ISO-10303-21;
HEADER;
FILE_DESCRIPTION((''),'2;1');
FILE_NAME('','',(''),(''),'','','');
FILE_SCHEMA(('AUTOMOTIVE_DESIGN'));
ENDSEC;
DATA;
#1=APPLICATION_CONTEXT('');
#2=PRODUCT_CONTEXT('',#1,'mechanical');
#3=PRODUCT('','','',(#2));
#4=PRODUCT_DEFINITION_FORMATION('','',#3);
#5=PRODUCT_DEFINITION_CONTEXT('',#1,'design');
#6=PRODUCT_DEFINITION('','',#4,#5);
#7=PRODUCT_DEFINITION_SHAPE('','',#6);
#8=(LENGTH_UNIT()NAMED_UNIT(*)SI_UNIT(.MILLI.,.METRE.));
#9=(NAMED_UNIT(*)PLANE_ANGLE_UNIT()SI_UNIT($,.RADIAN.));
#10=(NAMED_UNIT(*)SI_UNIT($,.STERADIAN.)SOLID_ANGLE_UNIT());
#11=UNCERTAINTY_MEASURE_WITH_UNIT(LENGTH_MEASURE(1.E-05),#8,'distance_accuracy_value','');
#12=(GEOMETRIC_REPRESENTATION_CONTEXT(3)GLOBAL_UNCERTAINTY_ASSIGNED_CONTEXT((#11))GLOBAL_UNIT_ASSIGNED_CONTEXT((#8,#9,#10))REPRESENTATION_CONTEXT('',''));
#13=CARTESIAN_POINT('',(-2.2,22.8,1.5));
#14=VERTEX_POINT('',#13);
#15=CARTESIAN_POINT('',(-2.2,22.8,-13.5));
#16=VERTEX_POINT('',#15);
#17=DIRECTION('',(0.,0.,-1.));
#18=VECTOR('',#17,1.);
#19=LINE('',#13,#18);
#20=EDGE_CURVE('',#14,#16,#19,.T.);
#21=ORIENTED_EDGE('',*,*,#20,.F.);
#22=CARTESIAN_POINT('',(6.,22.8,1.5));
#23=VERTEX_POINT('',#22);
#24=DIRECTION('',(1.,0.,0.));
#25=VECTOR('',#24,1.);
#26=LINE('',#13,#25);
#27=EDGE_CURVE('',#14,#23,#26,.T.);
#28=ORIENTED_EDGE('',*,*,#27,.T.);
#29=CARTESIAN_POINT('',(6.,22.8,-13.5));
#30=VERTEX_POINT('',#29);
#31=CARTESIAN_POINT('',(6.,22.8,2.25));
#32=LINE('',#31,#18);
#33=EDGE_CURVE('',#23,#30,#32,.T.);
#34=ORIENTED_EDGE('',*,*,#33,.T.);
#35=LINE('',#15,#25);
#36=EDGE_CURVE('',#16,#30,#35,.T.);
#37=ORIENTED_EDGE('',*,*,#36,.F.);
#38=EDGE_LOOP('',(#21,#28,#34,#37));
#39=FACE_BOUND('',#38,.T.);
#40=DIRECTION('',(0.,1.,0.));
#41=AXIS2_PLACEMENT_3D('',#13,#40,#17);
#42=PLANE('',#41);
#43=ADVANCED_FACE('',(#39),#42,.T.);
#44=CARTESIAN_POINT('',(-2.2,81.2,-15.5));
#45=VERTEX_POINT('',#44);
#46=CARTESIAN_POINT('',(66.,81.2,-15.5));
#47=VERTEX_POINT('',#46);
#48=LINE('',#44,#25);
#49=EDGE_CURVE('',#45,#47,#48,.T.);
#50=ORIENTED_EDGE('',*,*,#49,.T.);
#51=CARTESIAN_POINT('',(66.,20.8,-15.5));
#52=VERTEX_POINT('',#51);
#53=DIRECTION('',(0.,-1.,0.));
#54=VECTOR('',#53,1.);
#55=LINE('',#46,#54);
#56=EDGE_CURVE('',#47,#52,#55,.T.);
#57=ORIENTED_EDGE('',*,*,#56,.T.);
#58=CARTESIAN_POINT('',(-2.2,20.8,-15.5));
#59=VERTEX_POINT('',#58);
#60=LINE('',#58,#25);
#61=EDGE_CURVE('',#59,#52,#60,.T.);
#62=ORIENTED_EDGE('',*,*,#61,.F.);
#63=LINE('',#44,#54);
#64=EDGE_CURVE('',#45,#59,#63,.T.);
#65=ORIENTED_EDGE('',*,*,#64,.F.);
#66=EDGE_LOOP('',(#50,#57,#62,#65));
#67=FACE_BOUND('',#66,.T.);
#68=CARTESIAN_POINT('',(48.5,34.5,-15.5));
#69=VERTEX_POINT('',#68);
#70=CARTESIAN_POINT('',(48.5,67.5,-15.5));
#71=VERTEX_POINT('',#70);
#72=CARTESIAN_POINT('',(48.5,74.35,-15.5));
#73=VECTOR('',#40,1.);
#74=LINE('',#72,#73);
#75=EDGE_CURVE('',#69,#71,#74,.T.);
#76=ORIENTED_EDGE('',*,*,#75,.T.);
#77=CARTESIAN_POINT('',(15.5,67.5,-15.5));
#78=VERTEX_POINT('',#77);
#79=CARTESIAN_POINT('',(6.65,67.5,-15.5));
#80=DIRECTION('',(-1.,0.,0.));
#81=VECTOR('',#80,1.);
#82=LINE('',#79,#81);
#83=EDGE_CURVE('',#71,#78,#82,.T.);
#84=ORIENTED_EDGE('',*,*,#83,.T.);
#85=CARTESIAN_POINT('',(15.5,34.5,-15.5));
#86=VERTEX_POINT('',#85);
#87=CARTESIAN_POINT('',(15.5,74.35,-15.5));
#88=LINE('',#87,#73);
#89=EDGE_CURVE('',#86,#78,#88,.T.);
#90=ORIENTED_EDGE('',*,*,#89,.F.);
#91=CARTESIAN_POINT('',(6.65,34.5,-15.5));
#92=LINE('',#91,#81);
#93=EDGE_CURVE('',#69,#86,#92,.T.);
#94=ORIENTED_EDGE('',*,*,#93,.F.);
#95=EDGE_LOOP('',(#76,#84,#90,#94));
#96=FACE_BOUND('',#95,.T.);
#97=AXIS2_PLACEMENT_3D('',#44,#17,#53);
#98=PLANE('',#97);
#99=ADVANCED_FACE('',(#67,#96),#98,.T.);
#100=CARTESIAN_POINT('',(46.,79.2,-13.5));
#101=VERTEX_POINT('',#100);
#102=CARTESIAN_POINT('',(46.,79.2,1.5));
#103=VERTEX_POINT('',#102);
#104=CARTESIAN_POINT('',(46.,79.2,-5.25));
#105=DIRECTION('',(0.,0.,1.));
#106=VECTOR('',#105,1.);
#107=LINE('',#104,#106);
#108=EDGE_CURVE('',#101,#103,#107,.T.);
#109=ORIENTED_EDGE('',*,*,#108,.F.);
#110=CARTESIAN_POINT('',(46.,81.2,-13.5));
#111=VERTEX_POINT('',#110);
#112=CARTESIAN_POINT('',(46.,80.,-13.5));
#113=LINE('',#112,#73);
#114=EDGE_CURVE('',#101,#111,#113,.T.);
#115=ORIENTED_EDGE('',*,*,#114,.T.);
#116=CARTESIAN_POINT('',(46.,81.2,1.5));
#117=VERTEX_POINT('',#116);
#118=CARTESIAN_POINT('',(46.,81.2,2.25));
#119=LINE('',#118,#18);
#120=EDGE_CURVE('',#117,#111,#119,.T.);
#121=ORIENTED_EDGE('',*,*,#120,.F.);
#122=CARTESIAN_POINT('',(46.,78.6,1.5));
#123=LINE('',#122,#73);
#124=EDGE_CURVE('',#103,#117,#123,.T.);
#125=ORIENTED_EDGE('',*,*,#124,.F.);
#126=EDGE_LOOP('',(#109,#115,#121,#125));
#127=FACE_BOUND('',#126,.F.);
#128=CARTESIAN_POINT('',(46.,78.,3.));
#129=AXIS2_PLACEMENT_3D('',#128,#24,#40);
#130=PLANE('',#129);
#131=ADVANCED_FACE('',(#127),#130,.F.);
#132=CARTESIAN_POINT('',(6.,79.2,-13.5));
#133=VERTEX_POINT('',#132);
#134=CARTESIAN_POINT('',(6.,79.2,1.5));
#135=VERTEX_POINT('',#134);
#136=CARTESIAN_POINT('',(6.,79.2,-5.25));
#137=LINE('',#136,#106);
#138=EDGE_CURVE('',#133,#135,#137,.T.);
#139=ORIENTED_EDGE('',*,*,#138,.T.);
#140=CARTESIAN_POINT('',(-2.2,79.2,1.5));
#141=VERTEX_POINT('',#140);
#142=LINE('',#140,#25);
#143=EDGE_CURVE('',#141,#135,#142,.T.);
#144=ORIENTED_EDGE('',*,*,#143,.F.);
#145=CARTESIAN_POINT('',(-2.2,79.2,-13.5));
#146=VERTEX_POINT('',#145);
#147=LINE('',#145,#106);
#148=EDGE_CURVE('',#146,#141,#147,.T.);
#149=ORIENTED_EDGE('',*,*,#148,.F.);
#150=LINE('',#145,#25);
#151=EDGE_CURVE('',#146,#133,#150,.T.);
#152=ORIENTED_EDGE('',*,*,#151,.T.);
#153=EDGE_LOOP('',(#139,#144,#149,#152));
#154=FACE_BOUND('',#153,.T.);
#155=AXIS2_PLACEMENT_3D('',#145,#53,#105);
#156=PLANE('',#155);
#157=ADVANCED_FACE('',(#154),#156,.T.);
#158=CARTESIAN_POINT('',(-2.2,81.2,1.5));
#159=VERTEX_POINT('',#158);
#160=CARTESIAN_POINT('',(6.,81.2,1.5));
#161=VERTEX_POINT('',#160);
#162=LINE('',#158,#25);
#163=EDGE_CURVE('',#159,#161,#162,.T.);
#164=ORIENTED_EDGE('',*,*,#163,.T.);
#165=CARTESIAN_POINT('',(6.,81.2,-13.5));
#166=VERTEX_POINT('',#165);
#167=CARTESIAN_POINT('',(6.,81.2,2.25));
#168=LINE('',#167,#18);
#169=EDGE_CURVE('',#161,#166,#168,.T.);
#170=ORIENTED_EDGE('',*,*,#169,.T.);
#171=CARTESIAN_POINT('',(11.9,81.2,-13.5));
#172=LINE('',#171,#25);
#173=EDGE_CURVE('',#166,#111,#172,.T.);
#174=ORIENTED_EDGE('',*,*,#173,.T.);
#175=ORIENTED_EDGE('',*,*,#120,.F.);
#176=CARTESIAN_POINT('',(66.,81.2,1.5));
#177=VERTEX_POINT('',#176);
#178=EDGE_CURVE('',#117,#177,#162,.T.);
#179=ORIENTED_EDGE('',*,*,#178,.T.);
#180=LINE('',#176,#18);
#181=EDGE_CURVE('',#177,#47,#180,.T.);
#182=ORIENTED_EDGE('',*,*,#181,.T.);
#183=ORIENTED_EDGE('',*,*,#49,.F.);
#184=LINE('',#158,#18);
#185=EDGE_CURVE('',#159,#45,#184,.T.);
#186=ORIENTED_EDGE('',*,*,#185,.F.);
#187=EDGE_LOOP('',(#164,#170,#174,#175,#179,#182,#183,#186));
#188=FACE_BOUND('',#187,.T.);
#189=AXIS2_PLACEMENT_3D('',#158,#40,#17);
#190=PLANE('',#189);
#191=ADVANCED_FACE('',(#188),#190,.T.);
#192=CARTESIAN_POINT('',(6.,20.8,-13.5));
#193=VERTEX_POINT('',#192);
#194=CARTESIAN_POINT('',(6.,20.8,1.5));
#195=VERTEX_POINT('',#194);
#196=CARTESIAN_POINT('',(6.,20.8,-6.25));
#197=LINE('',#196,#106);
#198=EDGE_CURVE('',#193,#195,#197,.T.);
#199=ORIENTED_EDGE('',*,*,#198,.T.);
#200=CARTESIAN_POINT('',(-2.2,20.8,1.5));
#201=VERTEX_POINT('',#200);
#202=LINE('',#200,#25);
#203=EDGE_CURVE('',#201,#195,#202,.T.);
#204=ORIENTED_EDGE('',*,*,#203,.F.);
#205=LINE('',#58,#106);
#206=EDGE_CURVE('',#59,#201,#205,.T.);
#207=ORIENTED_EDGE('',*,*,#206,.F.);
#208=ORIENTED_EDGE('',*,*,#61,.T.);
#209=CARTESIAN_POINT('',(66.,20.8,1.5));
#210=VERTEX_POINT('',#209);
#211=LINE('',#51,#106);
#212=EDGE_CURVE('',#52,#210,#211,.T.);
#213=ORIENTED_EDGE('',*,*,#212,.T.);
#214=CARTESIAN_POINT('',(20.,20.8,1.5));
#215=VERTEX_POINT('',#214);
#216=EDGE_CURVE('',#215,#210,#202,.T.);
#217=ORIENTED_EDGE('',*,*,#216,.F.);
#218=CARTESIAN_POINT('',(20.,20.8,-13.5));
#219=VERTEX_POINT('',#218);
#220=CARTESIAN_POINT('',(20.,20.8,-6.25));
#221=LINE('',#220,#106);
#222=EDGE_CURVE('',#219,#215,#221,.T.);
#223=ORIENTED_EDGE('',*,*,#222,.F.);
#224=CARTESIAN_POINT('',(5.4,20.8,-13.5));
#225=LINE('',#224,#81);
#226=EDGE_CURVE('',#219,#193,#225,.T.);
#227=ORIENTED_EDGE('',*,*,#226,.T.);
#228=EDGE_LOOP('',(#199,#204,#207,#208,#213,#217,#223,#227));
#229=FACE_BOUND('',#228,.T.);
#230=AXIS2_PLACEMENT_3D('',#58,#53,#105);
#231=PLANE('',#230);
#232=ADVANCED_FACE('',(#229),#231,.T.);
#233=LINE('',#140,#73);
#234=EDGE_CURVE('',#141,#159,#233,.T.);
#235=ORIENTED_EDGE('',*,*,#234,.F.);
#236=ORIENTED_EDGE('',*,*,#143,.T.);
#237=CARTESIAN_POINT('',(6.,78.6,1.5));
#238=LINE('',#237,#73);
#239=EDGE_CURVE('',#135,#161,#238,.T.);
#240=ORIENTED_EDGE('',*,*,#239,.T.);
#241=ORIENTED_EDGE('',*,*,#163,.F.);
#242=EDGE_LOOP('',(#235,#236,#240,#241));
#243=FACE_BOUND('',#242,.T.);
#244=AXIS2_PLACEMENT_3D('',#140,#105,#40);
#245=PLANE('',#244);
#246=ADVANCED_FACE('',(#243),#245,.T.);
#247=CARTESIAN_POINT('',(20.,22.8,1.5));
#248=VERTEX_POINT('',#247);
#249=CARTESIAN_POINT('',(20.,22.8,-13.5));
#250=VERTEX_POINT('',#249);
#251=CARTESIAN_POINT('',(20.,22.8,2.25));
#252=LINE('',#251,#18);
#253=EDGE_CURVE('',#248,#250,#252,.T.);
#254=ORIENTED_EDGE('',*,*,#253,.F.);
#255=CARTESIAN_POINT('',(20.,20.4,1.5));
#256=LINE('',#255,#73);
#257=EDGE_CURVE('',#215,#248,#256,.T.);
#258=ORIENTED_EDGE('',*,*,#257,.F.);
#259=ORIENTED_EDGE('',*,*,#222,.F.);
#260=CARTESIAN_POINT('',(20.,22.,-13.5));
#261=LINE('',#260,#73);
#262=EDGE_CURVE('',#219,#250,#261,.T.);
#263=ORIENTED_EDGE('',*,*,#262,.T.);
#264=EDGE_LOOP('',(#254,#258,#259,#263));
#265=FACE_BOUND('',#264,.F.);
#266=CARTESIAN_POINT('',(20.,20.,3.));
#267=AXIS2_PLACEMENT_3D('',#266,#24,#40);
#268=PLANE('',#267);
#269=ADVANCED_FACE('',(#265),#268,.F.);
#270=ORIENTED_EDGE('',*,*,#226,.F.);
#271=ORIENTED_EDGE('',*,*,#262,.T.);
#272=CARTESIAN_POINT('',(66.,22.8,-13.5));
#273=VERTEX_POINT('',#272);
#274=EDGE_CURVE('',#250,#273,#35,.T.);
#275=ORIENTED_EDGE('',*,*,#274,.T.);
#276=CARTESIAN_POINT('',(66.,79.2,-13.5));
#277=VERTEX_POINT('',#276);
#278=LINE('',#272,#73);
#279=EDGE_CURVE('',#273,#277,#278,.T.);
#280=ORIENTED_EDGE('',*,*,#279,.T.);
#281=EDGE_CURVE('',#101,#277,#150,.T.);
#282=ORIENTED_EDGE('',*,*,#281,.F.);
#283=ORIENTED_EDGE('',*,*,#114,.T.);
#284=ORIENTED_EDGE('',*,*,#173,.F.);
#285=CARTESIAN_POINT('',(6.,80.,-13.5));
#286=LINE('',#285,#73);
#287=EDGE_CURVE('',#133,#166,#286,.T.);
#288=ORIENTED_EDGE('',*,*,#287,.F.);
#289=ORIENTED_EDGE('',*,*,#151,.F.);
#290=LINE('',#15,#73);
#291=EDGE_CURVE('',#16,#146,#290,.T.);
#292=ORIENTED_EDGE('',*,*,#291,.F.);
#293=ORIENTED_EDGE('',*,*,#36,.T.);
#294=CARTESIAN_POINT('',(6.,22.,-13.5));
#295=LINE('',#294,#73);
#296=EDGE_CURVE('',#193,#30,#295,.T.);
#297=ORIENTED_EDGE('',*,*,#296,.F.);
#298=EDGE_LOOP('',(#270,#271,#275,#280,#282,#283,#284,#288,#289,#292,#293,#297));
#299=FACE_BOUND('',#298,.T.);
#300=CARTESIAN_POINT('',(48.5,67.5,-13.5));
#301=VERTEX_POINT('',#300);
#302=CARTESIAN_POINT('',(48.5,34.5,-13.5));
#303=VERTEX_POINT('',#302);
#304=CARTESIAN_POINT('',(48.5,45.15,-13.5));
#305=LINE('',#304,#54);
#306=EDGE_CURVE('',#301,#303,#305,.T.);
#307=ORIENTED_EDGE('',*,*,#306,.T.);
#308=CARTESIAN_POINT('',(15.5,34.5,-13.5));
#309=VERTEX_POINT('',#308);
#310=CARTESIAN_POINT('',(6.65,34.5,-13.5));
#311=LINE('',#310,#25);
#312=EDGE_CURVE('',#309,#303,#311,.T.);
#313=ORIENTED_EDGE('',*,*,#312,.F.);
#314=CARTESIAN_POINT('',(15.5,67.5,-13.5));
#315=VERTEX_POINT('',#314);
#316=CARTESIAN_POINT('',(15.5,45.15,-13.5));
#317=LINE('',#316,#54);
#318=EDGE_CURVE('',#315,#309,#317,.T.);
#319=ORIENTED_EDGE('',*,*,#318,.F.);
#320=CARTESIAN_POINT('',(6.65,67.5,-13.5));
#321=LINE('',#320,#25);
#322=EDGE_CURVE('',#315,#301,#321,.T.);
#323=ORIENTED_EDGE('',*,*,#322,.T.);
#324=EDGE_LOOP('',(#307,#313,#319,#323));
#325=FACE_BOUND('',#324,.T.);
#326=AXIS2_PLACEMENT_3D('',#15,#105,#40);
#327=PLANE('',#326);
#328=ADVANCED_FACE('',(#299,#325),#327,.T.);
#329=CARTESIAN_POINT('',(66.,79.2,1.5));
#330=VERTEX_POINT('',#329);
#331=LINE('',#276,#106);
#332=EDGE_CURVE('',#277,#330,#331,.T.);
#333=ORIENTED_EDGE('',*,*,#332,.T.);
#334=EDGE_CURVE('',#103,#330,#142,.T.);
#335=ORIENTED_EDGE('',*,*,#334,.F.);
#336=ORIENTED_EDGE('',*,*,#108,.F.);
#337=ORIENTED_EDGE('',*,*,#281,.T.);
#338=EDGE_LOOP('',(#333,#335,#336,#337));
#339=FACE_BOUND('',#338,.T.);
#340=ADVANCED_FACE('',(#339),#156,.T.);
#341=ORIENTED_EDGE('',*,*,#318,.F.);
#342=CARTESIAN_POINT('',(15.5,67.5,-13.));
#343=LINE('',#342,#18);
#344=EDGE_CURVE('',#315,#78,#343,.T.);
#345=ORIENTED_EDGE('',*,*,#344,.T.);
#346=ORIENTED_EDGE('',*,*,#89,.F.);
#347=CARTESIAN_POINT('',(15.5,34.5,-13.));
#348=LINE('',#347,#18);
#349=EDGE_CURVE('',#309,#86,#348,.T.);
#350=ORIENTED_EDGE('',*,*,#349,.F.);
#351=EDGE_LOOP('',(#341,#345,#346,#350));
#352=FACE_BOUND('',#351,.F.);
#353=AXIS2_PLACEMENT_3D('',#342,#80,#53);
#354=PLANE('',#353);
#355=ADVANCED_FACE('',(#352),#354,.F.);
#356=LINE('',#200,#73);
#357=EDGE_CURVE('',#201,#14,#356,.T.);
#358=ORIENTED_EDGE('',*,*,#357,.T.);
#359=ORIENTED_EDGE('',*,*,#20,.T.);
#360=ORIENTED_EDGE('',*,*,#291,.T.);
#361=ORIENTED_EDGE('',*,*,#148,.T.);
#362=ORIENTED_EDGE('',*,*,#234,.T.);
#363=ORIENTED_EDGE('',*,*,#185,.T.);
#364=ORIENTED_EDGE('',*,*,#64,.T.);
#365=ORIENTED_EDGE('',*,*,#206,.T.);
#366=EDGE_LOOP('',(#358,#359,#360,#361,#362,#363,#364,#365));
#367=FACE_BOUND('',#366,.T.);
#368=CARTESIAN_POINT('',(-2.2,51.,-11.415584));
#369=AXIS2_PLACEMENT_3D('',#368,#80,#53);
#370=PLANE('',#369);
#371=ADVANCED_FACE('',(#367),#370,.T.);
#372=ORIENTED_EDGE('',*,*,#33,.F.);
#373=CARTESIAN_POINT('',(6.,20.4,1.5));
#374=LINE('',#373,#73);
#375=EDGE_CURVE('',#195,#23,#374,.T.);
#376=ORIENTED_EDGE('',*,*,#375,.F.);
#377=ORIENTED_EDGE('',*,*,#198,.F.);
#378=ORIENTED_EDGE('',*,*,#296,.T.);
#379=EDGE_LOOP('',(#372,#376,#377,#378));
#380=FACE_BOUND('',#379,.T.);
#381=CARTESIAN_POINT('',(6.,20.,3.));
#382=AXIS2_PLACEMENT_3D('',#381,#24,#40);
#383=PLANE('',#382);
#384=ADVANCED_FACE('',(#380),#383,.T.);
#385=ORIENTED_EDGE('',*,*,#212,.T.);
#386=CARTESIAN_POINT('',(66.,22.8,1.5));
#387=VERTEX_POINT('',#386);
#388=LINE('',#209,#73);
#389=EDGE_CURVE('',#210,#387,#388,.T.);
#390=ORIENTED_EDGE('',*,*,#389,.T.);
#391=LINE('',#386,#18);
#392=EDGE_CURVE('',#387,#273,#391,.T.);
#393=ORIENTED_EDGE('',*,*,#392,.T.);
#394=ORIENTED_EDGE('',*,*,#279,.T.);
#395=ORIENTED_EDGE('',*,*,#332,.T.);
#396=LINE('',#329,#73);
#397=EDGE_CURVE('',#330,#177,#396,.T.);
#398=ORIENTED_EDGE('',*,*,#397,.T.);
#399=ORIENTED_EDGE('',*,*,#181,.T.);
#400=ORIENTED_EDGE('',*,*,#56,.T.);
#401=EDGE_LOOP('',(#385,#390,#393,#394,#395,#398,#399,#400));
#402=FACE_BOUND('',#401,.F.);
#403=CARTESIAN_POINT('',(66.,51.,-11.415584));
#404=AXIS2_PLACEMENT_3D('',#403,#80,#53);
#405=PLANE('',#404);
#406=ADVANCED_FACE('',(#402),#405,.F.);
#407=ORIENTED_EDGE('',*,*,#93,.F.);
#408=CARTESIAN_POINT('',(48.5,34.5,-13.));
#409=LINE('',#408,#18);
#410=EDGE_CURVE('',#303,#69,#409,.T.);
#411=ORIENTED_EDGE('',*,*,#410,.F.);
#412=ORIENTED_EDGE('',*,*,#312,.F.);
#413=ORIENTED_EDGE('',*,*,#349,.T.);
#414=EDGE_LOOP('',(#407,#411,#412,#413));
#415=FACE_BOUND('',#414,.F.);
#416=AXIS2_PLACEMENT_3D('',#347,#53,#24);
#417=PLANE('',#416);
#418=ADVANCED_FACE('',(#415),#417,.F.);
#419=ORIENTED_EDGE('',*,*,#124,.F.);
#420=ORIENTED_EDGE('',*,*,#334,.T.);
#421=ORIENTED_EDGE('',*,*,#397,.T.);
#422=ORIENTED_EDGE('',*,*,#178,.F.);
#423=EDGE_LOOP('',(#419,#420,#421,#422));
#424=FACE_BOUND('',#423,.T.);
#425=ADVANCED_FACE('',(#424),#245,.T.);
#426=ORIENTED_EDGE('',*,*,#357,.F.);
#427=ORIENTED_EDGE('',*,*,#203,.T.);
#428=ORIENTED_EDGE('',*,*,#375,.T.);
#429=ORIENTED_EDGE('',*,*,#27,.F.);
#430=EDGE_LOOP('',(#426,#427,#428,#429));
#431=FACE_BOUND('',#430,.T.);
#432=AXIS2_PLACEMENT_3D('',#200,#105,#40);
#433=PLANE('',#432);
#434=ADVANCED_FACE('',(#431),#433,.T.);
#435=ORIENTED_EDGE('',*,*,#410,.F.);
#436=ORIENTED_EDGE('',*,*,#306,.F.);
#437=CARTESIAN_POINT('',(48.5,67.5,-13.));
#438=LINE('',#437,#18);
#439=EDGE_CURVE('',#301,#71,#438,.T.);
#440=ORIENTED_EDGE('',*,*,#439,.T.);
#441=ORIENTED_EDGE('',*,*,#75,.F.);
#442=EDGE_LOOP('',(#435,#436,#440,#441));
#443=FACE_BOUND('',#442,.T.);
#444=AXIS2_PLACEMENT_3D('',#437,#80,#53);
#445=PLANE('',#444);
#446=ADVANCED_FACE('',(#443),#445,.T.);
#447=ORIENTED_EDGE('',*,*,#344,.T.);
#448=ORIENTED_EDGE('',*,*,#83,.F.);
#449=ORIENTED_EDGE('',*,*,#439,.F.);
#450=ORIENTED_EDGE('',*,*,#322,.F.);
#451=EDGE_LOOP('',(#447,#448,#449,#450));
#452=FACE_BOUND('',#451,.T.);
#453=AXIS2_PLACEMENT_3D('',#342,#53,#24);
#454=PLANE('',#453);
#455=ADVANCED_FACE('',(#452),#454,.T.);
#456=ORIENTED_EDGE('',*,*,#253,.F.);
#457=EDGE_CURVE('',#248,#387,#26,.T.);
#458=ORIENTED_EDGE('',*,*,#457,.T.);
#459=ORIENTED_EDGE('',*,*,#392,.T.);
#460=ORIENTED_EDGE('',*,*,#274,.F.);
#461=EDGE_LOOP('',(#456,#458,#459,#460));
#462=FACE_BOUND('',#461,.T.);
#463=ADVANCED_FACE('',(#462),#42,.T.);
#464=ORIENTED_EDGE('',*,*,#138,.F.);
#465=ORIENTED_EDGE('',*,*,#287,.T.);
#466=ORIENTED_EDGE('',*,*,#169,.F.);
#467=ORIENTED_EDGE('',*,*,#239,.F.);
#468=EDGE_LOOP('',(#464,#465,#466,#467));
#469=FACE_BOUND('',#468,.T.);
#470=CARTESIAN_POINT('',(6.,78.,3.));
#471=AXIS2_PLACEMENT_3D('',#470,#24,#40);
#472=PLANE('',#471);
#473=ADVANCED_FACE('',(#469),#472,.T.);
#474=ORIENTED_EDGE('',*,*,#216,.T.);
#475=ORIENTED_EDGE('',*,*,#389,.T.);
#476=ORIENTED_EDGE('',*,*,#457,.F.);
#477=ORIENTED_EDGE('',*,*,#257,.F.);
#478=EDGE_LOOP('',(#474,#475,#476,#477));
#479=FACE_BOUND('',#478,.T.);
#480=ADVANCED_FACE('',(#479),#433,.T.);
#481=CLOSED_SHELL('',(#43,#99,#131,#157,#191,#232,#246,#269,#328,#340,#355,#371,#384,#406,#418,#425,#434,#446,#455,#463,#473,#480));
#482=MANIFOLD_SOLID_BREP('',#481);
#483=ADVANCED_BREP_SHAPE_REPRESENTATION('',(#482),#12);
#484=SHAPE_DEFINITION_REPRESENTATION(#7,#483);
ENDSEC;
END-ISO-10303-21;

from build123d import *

# Parameters (mm, degrees)
SKETCH121_W      = 33
SKETCH121_H      = 33
EXTRUDE110_DEPTH = 4
SKETCH116_W      = 4
SKETCH116_H      = 36
SKETCH116_W_2    = 40
SKETCH116_H_2    = 4
SKETCH116_W_3    = 14
EXTRUDE105_DEPTH = 16.5
EXTRUDE104_DEPTH = 68.2


with BuildPart() as extrude110:
    # Sketch121 → Extrude110 (new body)
    with BuildSketch(Plane(origin=(0, 0, -13), x_dir=(1, 0, 0), z_dir=(0, 0, -1))):
        with Locations((32, -51)):
            Rectangle(SKETCH121_W, SKETCH121_H)
    extrude(amount=EXTRUDE110_DEPTH)


with BuildPart() as compound027:
    # Sketch116 → Extrude105 (new body)
    with BuildSketch(Plane.XY.offset(3)):
        with Locations((-1, 51)):
            Rectangle(SKETCH116_W, SKETCH116_H)
        with Locations((26, 80)):
            Rectangle(SKETCH116_W_2, SKETCH116_H_2)
        with Locations((13, 22)):
            Rectangle(SKETCH116_W_3, SKETCH116_H_2)
    extrude(amount=-EXTRUDE105_DEPTH)

    # Compound027: union Extrude110
    add(extrude110.part)


with BuildPart() as cut018:
    # Sketch115 → Extrude104 (new body)
    with BuildSketch(Plane.YZ.offset(-2.2)):
        Polygon((20.8, 1.5), (22.8, 1.5), (22.8, -13.5), (79.2, -13.5), (79.2, 1.5), (81.2, 1.5), (81.2, -15.5), (20.8, -15.5), align=None)
    extrude(amount=EXTRUDE104_DEPTH)

    # Cut018: cut Compound027
    add(compound027.part, mode=Mode.SUBTRACT)


solid = cut018.part
